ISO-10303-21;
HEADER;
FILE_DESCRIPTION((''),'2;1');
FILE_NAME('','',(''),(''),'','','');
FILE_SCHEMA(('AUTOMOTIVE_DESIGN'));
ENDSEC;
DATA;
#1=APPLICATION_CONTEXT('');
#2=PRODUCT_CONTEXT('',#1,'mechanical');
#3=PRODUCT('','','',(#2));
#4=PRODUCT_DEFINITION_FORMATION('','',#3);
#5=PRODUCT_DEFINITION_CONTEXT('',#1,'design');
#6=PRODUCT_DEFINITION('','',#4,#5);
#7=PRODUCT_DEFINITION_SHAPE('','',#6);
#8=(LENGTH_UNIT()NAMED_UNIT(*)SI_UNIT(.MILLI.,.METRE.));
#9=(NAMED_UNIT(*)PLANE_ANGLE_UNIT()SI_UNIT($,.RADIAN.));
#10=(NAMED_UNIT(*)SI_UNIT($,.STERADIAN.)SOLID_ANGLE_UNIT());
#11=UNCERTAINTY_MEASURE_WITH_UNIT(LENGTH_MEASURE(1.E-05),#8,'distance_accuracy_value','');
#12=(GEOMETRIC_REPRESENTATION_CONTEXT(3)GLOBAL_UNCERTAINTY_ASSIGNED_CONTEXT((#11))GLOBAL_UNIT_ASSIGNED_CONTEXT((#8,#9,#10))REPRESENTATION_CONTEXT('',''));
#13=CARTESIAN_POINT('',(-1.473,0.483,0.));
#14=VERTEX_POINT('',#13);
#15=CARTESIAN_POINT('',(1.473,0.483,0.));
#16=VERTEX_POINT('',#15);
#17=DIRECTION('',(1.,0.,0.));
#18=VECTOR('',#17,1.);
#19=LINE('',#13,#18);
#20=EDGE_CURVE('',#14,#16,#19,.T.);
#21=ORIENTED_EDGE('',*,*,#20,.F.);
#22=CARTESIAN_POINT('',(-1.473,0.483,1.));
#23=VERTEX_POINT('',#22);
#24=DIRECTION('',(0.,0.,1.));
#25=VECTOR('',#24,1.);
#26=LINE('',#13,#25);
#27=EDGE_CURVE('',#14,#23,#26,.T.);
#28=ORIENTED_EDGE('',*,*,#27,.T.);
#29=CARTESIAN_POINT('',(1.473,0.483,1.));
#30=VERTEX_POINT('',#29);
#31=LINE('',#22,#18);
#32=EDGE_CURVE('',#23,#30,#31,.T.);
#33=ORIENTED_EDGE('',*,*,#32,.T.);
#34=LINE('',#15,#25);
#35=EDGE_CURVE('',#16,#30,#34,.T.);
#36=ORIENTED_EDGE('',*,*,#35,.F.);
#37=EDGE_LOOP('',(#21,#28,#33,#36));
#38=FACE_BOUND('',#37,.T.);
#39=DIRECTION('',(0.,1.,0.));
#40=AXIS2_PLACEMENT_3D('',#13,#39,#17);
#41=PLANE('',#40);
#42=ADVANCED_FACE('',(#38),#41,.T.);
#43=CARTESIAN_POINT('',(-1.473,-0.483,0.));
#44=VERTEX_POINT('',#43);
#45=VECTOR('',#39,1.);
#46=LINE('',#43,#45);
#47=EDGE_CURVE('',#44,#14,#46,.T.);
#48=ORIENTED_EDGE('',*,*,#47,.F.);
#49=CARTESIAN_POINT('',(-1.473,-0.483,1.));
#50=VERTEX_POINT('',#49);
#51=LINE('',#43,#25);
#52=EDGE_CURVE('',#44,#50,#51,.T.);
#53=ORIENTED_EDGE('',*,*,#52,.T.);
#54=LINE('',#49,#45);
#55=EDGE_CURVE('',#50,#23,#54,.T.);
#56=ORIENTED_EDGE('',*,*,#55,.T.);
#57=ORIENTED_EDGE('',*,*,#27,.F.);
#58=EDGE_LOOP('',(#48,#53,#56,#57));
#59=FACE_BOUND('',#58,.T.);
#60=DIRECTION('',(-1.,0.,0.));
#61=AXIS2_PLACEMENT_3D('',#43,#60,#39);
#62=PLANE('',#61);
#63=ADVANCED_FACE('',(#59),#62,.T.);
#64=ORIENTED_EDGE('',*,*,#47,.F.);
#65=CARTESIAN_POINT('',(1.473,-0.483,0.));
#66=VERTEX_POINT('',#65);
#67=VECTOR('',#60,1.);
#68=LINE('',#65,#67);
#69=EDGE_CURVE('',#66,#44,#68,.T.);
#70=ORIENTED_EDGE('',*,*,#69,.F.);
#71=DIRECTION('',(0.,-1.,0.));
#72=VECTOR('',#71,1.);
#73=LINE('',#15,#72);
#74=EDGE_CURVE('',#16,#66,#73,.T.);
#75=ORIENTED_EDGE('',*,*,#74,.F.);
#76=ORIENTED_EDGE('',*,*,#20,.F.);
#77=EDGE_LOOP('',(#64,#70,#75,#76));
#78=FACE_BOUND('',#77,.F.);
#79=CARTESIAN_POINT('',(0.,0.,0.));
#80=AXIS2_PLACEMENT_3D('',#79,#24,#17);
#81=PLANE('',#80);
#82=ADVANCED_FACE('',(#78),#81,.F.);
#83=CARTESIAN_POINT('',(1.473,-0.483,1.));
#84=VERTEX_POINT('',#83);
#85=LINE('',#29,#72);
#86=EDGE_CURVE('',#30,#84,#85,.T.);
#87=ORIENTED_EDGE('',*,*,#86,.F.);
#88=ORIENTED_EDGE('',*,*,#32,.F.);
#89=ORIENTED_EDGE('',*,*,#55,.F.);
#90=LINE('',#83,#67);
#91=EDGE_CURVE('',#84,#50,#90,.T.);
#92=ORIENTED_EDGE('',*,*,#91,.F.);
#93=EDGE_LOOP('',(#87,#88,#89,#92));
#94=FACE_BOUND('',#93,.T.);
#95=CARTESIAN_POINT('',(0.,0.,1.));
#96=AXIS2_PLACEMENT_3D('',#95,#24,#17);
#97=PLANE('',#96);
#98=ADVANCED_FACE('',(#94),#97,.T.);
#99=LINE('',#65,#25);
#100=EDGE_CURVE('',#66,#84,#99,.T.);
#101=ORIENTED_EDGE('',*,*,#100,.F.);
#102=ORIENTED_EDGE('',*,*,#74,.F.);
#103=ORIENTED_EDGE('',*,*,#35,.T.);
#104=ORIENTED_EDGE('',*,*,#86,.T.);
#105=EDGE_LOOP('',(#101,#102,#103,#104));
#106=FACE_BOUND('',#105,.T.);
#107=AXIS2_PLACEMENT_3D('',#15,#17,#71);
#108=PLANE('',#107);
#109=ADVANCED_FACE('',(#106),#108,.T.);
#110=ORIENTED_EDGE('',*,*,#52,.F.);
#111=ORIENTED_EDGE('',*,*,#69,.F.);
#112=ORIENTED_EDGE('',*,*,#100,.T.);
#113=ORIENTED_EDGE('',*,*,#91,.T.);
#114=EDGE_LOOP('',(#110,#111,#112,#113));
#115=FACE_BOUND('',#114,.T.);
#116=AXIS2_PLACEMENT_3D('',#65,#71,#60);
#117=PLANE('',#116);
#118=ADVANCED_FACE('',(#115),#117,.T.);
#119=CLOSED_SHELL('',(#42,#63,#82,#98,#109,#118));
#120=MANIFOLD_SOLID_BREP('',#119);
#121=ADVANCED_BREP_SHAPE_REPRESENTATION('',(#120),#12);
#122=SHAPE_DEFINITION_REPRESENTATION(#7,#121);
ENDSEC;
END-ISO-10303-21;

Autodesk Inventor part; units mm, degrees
ref_plane "YZ Plane" through (0, 0, 0) normal (1, 0, 0) x (0, 1, 0)
ref_plane "XZ Plane" through (0, 0, 0) normal (0, 1, 0) x (-1, 0, 0)
ref_plane "XY Plane" through (0, 0, 0) normal (0, 0, 1) x (1, 0, 0)
sketch "0402-RES, 1K_41" plane through (0, 0, 0) normal (0, 0, 1) x (1, 0, 0)
  line L0 (-1.473, 0.483) -> (1.473, 0.483)
  line L1 (1.473, 0.483) -> (1.473, -0.483)
  line L2 (1.473, -0.483) -> (-1.473, -0.483)
  line L3 (-1.473, -0.483) -> (-1.473, 0.483)
extrude "Extrusion1" add sketch "0402-RES, 1K_41" along normal blind 1
properties part number "1K"
